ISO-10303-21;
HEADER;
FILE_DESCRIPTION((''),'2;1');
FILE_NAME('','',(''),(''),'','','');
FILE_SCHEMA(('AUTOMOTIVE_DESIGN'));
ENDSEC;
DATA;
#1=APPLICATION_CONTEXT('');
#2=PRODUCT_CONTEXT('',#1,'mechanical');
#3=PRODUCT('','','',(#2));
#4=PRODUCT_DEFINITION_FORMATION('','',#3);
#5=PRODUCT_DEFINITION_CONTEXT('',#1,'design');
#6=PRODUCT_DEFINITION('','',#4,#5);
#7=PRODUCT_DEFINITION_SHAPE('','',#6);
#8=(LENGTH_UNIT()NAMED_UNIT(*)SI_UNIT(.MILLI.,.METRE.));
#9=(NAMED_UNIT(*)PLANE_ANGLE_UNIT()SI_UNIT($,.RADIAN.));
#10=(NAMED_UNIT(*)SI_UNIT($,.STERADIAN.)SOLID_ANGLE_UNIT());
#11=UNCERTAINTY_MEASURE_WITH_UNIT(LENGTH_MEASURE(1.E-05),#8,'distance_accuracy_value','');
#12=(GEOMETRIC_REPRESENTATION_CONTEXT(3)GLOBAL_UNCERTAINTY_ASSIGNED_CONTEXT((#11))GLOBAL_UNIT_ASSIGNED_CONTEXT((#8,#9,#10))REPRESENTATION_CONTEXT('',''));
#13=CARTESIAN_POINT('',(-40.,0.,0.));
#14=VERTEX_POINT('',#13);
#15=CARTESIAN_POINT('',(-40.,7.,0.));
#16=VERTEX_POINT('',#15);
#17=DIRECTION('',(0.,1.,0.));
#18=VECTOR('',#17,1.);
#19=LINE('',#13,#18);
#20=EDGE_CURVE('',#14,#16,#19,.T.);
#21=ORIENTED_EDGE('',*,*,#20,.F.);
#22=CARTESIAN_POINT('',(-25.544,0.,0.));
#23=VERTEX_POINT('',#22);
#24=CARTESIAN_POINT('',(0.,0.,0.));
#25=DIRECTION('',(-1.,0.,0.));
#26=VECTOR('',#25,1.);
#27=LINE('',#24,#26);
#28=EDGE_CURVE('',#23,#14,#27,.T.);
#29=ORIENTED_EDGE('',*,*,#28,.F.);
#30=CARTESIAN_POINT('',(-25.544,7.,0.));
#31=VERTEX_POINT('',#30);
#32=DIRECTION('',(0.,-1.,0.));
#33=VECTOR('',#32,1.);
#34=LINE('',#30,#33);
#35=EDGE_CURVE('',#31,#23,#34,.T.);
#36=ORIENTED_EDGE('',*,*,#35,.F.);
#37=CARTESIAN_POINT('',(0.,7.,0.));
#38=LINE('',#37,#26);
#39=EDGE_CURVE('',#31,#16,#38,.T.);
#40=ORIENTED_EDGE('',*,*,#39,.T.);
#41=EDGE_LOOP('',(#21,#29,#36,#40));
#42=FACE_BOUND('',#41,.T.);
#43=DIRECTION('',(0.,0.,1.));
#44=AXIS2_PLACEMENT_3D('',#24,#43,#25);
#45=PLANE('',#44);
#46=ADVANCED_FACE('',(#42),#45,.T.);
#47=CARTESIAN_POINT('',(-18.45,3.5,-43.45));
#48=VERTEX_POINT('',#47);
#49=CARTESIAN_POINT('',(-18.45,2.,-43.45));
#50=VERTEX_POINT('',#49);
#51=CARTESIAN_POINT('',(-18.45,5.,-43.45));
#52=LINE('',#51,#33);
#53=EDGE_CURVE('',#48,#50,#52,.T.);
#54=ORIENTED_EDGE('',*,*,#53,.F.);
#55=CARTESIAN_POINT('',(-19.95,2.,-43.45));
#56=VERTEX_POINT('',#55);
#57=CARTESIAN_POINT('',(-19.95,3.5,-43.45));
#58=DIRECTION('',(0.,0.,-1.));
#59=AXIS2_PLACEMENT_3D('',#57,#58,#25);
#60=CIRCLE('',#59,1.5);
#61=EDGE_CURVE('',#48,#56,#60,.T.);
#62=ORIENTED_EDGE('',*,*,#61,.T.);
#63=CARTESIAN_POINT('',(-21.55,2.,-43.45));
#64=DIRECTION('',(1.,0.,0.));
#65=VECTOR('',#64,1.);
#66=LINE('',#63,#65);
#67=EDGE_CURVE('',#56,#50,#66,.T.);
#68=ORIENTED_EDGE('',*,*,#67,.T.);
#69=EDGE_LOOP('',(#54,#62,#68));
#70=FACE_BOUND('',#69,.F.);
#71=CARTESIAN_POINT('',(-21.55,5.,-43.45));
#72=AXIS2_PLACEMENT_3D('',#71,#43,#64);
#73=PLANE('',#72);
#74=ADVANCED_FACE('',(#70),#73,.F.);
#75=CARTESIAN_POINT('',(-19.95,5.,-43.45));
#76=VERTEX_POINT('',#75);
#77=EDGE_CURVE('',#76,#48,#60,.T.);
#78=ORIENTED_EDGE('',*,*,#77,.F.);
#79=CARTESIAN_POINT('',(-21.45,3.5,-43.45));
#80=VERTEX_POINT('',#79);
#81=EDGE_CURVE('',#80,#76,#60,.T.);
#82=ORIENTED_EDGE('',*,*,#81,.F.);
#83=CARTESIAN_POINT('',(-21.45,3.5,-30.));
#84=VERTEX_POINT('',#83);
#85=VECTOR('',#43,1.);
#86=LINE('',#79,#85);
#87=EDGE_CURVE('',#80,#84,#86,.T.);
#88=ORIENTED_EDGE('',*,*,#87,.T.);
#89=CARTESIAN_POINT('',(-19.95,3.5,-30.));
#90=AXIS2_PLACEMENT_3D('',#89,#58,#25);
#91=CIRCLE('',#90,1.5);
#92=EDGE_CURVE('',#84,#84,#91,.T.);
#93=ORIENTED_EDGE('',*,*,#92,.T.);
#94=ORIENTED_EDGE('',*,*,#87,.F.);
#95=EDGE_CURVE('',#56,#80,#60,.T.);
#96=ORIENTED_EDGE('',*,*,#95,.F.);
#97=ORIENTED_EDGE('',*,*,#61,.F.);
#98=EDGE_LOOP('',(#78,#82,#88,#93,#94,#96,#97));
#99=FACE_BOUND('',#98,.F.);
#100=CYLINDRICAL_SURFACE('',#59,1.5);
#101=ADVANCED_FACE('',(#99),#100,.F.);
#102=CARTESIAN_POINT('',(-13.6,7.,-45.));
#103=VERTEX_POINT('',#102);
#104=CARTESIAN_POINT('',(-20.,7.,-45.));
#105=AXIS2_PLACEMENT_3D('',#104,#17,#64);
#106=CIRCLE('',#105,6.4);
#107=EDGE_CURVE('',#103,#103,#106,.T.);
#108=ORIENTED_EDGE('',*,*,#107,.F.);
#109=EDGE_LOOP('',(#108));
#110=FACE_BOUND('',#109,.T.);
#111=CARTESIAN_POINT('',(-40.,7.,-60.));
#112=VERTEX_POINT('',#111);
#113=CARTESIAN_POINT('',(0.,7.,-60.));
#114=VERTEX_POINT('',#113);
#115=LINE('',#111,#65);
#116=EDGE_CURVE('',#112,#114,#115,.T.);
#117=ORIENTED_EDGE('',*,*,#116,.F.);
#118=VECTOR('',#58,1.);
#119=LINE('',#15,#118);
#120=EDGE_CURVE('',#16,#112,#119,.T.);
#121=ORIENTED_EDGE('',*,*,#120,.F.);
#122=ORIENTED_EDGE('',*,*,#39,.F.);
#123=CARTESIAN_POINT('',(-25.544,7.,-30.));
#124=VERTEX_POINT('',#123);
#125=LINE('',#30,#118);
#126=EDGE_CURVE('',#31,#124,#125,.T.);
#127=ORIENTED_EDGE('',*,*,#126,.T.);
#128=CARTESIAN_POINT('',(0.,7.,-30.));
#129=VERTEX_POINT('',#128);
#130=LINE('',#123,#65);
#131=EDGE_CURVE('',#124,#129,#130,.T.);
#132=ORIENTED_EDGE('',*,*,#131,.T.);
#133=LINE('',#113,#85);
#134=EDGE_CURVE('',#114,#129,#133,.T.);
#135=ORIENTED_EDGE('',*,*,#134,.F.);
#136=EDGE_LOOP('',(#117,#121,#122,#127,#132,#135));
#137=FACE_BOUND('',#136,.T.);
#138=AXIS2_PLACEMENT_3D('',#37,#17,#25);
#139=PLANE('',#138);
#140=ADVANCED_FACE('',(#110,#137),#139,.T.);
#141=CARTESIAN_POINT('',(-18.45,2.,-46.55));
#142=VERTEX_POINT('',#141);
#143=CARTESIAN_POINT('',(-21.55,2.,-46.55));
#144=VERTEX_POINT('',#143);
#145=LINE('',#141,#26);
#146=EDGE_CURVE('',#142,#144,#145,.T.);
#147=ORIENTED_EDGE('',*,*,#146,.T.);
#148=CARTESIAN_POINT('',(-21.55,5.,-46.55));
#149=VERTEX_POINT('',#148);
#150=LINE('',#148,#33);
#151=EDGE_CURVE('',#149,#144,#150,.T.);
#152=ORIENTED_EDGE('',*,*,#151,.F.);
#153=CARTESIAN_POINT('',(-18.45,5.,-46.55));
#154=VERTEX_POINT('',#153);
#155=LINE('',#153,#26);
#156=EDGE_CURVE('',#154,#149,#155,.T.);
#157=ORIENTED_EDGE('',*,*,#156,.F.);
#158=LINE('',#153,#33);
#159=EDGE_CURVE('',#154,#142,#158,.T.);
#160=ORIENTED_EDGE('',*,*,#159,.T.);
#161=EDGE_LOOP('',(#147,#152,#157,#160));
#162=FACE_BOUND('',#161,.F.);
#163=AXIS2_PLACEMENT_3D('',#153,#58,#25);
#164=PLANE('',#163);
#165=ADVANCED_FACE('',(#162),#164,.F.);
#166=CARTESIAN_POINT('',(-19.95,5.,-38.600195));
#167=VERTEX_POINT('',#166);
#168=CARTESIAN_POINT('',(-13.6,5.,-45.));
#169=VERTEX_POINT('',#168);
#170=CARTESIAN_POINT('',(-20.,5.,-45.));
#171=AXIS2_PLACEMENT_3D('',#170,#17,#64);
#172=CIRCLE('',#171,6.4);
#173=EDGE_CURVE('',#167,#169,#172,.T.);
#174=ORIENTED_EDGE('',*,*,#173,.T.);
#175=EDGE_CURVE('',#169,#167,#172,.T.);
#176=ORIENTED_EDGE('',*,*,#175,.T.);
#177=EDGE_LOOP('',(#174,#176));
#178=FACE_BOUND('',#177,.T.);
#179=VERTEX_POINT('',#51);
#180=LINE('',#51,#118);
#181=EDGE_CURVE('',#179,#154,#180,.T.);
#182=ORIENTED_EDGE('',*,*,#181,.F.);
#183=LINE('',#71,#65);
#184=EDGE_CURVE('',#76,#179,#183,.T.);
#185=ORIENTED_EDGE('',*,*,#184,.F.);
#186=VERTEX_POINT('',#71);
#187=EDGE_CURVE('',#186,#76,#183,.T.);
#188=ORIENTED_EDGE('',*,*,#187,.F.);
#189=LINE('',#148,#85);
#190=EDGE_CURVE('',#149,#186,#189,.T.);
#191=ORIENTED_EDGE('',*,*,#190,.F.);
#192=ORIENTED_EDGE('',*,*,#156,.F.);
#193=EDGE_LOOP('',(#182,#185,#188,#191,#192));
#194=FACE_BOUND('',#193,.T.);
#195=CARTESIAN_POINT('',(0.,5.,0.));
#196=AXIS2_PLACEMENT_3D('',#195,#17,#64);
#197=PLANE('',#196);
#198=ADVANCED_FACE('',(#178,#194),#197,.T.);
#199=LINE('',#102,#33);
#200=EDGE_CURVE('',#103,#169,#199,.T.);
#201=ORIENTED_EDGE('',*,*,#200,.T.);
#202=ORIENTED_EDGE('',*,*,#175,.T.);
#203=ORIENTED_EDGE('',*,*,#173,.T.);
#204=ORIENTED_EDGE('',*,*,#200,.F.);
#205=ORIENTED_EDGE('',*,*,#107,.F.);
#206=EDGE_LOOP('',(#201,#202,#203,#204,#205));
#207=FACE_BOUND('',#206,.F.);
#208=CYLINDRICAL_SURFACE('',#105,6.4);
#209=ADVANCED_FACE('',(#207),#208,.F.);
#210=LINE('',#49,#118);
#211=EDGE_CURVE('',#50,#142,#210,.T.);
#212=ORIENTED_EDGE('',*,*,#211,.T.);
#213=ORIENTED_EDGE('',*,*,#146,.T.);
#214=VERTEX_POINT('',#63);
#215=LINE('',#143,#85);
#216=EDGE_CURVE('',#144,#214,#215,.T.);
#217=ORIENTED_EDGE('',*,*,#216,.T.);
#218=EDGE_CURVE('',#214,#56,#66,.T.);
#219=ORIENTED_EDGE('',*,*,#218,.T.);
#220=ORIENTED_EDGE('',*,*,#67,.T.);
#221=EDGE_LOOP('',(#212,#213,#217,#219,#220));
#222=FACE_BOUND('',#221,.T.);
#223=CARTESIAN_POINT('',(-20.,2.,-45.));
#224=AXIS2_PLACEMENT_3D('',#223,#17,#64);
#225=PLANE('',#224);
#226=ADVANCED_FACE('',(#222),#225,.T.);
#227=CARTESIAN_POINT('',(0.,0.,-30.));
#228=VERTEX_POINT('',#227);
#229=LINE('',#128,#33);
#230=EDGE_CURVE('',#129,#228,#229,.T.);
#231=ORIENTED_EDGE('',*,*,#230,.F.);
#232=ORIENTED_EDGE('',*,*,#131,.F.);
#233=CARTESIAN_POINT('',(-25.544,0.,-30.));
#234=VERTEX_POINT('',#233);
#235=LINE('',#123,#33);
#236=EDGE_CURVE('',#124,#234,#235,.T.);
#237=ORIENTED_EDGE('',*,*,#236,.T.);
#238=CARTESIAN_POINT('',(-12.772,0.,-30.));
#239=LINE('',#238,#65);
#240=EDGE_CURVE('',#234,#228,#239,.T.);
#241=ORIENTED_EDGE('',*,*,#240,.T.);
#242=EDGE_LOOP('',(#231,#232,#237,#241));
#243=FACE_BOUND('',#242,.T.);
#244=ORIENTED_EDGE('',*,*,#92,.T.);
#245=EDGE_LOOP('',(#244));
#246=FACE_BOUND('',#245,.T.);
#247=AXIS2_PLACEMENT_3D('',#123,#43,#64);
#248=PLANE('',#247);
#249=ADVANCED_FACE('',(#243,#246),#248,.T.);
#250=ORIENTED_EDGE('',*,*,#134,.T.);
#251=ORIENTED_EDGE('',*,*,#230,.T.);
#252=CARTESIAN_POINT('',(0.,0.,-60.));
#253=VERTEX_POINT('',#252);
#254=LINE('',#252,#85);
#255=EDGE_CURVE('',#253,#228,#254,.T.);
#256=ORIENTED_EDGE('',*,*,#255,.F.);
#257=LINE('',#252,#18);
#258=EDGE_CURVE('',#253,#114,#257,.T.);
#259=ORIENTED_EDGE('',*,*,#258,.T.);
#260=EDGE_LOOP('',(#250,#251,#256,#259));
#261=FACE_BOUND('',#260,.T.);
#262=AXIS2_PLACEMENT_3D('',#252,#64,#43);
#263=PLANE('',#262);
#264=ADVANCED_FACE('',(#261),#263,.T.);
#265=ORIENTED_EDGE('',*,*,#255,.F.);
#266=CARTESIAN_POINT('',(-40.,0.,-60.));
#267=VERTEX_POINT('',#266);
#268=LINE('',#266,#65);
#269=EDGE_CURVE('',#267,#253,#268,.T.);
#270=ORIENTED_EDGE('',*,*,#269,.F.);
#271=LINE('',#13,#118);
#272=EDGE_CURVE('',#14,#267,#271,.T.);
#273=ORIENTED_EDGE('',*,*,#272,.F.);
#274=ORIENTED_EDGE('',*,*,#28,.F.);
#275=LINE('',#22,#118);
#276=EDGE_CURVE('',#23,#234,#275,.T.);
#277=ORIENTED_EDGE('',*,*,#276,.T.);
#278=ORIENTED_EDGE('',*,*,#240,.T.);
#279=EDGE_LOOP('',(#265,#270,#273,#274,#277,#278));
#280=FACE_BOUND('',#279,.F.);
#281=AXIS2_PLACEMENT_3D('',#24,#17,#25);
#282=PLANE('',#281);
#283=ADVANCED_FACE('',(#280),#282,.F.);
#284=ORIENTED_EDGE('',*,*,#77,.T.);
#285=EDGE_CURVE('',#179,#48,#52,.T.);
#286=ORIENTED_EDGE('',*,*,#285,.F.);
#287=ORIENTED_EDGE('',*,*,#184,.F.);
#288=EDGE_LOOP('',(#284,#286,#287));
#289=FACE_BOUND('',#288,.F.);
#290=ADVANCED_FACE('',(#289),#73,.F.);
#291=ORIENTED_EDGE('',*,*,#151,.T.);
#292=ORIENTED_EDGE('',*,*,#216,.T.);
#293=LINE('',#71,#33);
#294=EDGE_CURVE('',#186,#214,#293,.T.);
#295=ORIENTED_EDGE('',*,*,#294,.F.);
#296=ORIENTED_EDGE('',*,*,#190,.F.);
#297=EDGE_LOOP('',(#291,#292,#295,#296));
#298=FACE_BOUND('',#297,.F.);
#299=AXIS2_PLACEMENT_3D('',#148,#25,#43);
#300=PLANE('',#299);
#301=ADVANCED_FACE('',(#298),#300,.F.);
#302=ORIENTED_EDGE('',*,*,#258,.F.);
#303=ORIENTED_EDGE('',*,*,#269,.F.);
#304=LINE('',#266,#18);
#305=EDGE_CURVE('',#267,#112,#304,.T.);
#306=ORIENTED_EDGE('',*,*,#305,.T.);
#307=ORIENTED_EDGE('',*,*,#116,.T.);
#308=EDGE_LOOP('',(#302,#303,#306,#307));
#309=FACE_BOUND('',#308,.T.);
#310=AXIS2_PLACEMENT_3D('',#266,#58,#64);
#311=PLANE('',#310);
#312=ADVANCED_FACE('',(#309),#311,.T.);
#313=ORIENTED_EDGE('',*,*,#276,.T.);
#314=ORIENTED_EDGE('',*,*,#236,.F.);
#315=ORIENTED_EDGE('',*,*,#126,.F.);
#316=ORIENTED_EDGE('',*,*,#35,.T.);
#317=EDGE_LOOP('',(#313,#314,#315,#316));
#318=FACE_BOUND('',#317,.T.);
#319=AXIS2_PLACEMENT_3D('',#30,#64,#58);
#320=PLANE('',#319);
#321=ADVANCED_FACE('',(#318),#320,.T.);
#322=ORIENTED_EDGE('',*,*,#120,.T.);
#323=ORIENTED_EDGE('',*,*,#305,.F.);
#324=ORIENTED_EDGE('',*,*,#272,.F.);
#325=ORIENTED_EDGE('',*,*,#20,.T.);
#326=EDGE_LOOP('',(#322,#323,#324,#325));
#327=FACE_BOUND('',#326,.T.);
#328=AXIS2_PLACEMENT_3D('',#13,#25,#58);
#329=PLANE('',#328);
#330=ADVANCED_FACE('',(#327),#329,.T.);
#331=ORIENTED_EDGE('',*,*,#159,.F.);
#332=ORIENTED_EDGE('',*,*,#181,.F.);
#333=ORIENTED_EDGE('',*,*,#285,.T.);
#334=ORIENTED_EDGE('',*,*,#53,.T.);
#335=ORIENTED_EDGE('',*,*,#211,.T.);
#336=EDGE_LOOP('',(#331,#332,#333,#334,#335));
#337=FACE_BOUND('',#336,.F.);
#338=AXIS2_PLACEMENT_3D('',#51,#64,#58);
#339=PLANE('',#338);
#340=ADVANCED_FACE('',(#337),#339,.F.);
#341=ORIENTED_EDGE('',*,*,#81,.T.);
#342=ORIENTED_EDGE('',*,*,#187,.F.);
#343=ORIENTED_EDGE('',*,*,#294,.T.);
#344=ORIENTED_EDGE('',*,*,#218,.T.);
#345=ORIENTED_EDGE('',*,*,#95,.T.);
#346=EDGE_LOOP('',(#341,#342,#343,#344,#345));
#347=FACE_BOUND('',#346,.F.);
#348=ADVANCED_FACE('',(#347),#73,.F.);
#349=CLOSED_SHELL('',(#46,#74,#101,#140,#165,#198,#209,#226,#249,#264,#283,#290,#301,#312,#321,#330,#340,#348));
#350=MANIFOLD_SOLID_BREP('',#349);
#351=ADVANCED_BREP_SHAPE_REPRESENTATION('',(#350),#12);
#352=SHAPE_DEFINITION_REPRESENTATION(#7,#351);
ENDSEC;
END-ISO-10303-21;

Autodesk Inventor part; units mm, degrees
ref_plane "YZ Plane" through (0, 0, 0) normal (1, 0, 0) x (0, 1, 0)
ref_plane "XZ Plane" through (0, 0, 0) normal (0, 1, 0) x (-1, 0, 0)
ref_plane "XY Plane" through (0, 0, 0) normal (0, 0, 1) x (1, 0, 0)
sketch "Sketch1" plane through (0, 0, 0) normal (0, 1, 0) x (-1, 0, 0)
  line L0 (0, 0) -> (40, 0)
  line L1 (40, 0) -> (40, -60)
  line L2 (40, -60) -> (0, -60)
  line L3 (0, -60) -> (0, 0)
  dimension "d0" = 40
  dimension "d1" = 60
extrude "Extrusion1" add sketch "Sketch1" along normal blind 7
sketch "Sketch2" plane through (0, 7, 0) normal (0, 1, 0) x (1, 0, 0)
  line L0 (-40, 0) -> (0, 0) projected
  line L1 (0, 0) -> (-25.544, 0)
  line L2 (-25.544, 0) -> (-25.544, 30)
  line L3 (-25.544, 30) -> (0, 30)
  line L4 (0, 30) -> (0, 0)
  dimension "d4" = 25.544
  dimension "d5" = 30
extrude "Extrusion2" cut sketch "Sketch2" against normal through all
sketch "Sketch3" plane through (0, 7, 0) normal (0, 1, 0) x (1, 0, 0)
  circle A0 centre (-20, 45) radius 6.4
  point P0 (0, 0)
  dimension "d8" = 12.8
extrude "Extrusion3" cut sketch "Sketch3" against normal blind 2
sketch "Sketch4" plane through (-20, 5, -45) normal (0, 1, 0) x (1, 0, 0)
  line L0 (-1.55, -1.55) -> (1.55, -1.55)
  line L1 (1.55, -1.55) -> (1.55, 1.55)
  line L2 (1.55, 1.55) -> (-1.55, 1.55)
  line L3 (-1.55, 1.55) -> (-1.55, -1.55)
  line L4 (-1.55, -1.55) -> (1.55, 1.55) construction
  line L5 (1.55, -1.55) -> (-1.55, 1.55) construction
  point P0 (20, -45)
  point P1 (0, 0)
  dimension "d11" = 3.1
  dimension "d12" = 3.1
extrude "Extrusion4" cut sketch "Sketch4" against normal blind 3
sketch "Sketch6" plane through (-18.45, 5, -43.45) normal (0, 0, -1) x (-1, 0, 0)
  circle A0 centre (1.5, -1.5) radius 1.5
  point P0 (-18.45, -5)
  dimension "d18" = 3
extrude "Extrusion6" cut sketch "Sketch6" against normal through all
